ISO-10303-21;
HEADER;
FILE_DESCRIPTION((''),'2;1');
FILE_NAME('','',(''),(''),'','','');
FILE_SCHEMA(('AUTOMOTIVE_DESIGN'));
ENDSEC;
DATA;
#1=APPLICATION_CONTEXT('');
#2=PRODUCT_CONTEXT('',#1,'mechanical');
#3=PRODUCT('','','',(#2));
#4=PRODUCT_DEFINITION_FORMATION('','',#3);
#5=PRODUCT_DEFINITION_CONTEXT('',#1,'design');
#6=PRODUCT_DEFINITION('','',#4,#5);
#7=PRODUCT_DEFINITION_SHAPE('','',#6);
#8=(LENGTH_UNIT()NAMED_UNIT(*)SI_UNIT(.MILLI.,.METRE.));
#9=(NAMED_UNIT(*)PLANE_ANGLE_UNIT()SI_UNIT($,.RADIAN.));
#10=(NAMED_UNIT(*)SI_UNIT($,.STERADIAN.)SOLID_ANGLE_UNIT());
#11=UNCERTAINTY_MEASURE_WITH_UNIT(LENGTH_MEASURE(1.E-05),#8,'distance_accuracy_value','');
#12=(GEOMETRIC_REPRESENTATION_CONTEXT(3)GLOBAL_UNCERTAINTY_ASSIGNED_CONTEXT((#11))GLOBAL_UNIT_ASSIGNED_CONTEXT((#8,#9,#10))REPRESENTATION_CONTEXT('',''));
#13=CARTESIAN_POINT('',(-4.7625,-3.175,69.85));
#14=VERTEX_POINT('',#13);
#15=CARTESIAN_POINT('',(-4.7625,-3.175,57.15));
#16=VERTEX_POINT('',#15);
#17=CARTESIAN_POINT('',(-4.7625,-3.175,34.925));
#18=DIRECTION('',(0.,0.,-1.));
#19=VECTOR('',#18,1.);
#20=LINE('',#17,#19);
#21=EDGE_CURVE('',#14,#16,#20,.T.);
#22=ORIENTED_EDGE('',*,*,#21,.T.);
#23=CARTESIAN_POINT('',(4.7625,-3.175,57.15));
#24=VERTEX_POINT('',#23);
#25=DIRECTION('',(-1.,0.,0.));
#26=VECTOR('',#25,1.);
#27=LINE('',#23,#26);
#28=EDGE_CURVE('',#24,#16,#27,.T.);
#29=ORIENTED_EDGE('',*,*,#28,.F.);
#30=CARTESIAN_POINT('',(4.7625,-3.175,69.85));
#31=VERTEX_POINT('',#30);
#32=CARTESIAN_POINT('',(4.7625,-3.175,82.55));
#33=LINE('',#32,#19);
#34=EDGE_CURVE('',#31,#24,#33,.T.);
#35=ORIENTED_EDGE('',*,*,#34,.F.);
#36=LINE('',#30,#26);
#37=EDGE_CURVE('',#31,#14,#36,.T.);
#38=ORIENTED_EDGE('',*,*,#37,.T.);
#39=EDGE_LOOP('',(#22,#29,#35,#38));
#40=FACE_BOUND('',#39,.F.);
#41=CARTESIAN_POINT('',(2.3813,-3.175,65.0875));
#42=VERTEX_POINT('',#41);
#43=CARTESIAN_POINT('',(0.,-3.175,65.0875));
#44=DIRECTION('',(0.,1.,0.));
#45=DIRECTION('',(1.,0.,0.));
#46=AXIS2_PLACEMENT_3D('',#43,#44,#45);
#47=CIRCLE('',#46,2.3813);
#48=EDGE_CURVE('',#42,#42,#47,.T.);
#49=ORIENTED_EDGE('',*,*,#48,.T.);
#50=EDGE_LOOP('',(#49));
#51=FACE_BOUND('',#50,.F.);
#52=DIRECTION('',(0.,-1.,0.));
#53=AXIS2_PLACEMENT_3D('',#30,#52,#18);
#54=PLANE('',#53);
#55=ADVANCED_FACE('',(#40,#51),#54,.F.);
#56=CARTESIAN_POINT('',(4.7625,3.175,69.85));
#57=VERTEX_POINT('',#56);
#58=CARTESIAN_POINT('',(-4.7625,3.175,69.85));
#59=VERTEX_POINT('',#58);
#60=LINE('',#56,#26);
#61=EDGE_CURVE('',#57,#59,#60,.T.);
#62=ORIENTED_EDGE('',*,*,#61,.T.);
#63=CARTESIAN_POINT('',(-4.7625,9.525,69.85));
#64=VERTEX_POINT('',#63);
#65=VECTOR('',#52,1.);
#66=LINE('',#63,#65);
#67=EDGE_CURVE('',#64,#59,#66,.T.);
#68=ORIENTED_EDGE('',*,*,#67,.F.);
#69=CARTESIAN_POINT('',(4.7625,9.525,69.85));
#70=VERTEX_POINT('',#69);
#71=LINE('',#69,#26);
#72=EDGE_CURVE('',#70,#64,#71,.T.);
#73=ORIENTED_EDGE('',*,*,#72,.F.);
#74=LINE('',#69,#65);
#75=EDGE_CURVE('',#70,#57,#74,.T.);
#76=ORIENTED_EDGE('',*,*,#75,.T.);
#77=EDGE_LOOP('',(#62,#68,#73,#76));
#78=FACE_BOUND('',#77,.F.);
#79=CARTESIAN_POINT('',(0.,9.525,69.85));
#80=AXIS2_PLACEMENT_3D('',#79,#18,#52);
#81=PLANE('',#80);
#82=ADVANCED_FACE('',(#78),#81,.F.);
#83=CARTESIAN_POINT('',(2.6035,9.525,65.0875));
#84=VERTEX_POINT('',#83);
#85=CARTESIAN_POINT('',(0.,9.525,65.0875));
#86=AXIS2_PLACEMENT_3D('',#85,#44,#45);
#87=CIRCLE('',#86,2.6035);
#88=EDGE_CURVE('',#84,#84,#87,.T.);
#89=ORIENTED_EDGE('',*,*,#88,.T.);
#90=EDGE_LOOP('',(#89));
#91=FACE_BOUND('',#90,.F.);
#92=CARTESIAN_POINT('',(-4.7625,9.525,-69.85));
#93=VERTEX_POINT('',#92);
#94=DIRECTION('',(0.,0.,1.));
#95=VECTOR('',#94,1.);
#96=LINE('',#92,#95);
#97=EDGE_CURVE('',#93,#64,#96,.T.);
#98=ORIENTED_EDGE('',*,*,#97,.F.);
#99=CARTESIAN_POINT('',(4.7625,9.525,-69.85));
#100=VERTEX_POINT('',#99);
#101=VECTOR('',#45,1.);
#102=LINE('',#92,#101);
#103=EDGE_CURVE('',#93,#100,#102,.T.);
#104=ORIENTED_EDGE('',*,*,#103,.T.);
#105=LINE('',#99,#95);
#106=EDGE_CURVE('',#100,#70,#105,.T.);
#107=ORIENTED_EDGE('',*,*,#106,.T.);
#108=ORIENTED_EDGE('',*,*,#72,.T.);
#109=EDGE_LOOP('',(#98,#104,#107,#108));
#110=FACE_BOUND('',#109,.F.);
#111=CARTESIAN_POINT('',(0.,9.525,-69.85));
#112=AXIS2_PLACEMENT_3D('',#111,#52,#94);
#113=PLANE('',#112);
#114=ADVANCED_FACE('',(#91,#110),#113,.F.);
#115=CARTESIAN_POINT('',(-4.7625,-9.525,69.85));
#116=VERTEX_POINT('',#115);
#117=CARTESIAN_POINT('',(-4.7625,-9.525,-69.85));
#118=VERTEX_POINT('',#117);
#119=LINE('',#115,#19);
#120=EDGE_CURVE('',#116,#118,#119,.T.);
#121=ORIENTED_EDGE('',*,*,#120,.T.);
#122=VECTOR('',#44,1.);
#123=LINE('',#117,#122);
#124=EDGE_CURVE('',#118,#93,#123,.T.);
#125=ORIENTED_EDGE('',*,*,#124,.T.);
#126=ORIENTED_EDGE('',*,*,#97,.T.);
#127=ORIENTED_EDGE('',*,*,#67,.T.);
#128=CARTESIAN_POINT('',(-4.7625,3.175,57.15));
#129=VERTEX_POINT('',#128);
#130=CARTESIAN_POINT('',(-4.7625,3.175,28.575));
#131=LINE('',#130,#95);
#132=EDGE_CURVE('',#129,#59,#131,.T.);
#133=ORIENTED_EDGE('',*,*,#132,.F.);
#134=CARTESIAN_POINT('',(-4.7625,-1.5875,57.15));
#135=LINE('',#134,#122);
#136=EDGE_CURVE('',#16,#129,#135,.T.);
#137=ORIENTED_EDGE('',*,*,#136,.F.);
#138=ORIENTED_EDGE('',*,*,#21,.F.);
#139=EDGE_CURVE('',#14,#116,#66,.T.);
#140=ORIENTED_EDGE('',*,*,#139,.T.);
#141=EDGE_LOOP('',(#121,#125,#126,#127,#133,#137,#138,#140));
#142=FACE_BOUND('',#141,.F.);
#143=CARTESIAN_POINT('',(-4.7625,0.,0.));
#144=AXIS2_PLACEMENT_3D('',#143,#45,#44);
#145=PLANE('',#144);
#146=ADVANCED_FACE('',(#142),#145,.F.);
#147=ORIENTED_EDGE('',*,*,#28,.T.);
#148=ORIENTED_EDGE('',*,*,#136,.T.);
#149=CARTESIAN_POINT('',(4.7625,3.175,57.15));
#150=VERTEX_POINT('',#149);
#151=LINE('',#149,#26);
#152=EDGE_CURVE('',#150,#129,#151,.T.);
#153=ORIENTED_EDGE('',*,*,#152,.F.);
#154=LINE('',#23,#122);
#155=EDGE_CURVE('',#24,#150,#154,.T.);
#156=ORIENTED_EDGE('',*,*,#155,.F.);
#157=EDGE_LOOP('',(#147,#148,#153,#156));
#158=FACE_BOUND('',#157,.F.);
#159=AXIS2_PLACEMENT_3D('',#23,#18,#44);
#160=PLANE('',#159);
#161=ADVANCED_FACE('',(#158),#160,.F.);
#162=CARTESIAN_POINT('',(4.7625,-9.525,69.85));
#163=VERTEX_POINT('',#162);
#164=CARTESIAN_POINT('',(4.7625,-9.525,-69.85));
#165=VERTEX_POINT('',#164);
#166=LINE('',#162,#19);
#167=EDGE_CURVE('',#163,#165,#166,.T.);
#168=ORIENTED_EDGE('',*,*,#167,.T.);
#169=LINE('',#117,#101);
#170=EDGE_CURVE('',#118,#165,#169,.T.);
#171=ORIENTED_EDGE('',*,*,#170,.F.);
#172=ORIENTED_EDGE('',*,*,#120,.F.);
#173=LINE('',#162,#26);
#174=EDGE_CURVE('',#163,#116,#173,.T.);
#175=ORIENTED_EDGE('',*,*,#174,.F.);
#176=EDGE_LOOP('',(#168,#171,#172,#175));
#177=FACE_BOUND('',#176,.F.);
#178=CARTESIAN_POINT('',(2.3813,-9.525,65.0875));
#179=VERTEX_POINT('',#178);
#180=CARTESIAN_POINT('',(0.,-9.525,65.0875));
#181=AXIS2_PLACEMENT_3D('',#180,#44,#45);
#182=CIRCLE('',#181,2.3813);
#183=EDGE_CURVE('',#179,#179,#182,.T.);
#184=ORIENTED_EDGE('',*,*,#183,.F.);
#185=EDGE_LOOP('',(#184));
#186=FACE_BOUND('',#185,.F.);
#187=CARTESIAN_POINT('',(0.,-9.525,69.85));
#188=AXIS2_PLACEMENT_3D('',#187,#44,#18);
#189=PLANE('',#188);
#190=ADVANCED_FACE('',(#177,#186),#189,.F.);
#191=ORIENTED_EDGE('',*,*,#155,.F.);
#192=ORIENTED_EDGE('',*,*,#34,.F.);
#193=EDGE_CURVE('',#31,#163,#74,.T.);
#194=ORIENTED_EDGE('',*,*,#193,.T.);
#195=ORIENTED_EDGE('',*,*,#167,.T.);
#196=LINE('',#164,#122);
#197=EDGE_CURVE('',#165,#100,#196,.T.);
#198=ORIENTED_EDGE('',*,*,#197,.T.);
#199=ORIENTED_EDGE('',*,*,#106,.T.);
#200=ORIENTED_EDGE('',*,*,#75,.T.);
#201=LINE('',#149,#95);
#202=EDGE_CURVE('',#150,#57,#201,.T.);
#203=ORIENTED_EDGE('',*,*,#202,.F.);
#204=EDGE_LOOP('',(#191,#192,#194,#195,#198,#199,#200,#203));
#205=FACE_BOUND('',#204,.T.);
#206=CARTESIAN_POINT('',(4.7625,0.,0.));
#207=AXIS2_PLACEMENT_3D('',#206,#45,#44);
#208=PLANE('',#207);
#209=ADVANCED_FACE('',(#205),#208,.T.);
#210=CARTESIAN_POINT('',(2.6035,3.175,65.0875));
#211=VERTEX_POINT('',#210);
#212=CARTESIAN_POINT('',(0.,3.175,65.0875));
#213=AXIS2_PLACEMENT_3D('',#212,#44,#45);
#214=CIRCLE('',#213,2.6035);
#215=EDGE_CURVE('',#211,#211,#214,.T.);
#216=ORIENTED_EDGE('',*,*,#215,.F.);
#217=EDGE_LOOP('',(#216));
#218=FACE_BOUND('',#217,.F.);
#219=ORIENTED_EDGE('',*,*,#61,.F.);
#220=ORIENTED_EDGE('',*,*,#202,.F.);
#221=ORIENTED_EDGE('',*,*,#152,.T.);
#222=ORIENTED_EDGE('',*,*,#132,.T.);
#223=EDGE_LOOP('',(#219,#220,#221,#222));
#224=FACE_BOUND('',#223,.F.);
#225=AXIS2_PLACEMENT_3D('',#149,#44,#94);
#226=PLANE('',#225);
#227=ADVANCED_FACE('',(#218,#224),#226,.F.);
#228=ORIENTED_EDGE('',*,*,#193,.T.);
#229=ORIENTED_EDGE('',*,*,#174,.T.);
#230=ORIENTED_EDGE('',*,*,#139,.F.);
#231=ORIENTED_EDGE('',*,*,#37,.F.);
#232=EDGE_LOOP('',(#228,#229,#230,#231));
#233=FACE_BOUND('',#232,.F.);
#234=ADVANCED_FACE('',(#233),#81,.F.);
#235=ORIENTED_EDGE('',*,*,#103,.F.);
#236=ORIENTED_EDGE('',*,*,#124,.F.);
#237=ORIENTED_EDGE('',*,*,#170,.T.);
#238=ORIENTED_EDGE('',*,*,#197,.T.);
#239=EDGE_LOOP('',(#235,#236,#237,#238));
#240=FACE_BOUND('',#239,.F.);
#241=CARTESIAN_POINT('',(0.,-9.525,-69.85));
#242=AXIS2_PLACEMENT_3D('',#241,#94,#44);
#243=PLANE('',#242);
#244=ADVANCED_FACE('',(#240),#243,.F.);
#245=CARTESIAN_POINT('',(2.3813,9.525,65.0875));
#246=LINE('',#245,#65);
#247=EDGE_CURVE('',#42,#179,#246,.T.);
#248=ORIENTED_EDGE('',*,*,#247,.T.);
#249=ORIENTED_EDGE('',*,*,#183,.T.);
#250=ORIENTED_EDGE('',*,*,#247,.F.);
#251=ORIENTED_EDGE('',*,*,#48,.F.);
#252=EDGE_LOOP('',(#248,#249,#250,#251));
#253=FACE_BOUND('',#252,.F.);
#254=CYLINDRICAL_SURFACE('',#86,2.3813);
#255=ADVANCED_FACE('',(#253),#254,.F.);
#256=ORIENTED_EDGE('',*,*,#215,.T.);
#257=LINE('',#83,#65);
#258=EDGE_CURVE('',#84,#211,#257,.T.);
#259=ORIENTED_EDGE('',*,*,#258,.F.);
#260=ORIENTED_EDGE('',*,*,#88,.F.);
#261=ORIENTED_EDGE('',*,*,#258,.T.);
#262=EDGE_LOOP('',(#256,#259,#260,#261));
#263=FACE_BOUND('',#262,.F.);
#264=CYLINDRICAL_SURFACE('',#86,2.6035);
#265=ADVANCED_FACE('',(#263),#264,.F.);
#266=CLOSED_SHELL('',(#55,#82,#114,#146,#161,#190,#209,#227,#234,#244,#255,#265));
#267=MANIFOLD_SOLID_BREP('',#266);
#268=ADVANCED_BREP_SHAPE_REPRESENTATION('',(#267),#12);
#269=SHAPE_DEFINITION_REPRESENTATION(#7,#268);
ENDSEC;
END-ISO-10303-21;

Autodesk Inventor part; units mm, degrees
ref_plane "YZ Plane" through (0, 0, 0) normal (1, 0, 0) x (0, 1, 0)
ref_plane "XZ Plane" through (0, 0, 0) normal (0, 1, 0) x (-1, 0, 0)
ref_plane "XY Plane" through (0, 0, 0) normal (0, 0, 1) x (1, 0, 0)
sketch "Sketch1" plane through (0, 0, 0) normal (1, 0, 0) x (0, 1, 0)
  line L0 (-9.525, -69.85) -> (9.525, -69.85)
  line L1 (9.525, -69.85) -> (9.525, 69.85)
  line L2 (9.525, 69.85) -> (-9.525, 69.85)
  line L3 (-9.525, 69.85) -> (-9.525, -69.85)
  line L4 (-9.525, -69.85) -> (9.525, 69.85) construction
  line L5 (9.525, -69.85) -> (-9.525, 69.85) construction
  point P0 (0, 0)
  dimension "d0" = 19.05
  dimension "d1" = 139.7
extrude "Extrusion1" add sketch "Sketch1" along normal mid plane 9.525
sketch "Sketch2" plane through (4.7625, 0, 0) normal (1, 0, 0) x (0, 0, -1)
  line L0 (-82.55, -3.175) -> (-57.15, -3.175)
  line L1 (-57.15, -3.175) -> (-57.15, 3.175)
  line L2 (-57.15, 3.175) -> (-82.55, 3.175)
  line L3 (-82.55, 3.175) -> (-82.55, -3.175)
  line L4 (-69.85, 9.525) -> (-69.85, -9.525) projected
  line L5 (-82.55, -3.175) -> (-57.15, 3.175) construction
  line L6 (-57.15, -3.175) -> (-82.55, 3.175) construction
  point P0 (0, 0)
  point P1 (-69.85, 0)
  point P2 (-69.85, 3.175)
  point P3 (-69.85, -3.175)
  dimension "d4" = 6.35
  dimension "d5" = 12.7
extrude "Extrusion2" cut sketch "Sketch2" against normal blind 25.4 contours L4 L2 L1 L0
sketch "Sketch3" plane through (-4.7625, 9.525, 69.85) normal (0, 1, 0) x (1, 0, 0)
  line L0 (9.525, 0) -> (0, 0) projected
  circle A0 centre (4.7625, 4.7625) radius 2.6035
  point P0 (4.7625, 69.85)
  point P1 (4.7625, 0)
  dimension "d8" = 5.207
  dimension "d9" = 4.7625
extrude "Extrusion3" cut sketch "Sketch3" against normal blind 6.35
sketch "Sketch4" plane through (-4.7625, 9.525, 69.85) normal (0, 1, 0) x (1, 0, 0)
  circle A0 centre (4.7625, 4.7625) radius 2.6035 projected
  circle A1 centre (4.7625, 4.7625) radius 2.3813
  point P0 (4.7625, 69.85)
  dimension "d12" = 4.7625
extrude "Extrusion4" cut sketch "Sketch4" against normal blind 25.4 contours A1
properties part number "ShortBraillePlunger"
